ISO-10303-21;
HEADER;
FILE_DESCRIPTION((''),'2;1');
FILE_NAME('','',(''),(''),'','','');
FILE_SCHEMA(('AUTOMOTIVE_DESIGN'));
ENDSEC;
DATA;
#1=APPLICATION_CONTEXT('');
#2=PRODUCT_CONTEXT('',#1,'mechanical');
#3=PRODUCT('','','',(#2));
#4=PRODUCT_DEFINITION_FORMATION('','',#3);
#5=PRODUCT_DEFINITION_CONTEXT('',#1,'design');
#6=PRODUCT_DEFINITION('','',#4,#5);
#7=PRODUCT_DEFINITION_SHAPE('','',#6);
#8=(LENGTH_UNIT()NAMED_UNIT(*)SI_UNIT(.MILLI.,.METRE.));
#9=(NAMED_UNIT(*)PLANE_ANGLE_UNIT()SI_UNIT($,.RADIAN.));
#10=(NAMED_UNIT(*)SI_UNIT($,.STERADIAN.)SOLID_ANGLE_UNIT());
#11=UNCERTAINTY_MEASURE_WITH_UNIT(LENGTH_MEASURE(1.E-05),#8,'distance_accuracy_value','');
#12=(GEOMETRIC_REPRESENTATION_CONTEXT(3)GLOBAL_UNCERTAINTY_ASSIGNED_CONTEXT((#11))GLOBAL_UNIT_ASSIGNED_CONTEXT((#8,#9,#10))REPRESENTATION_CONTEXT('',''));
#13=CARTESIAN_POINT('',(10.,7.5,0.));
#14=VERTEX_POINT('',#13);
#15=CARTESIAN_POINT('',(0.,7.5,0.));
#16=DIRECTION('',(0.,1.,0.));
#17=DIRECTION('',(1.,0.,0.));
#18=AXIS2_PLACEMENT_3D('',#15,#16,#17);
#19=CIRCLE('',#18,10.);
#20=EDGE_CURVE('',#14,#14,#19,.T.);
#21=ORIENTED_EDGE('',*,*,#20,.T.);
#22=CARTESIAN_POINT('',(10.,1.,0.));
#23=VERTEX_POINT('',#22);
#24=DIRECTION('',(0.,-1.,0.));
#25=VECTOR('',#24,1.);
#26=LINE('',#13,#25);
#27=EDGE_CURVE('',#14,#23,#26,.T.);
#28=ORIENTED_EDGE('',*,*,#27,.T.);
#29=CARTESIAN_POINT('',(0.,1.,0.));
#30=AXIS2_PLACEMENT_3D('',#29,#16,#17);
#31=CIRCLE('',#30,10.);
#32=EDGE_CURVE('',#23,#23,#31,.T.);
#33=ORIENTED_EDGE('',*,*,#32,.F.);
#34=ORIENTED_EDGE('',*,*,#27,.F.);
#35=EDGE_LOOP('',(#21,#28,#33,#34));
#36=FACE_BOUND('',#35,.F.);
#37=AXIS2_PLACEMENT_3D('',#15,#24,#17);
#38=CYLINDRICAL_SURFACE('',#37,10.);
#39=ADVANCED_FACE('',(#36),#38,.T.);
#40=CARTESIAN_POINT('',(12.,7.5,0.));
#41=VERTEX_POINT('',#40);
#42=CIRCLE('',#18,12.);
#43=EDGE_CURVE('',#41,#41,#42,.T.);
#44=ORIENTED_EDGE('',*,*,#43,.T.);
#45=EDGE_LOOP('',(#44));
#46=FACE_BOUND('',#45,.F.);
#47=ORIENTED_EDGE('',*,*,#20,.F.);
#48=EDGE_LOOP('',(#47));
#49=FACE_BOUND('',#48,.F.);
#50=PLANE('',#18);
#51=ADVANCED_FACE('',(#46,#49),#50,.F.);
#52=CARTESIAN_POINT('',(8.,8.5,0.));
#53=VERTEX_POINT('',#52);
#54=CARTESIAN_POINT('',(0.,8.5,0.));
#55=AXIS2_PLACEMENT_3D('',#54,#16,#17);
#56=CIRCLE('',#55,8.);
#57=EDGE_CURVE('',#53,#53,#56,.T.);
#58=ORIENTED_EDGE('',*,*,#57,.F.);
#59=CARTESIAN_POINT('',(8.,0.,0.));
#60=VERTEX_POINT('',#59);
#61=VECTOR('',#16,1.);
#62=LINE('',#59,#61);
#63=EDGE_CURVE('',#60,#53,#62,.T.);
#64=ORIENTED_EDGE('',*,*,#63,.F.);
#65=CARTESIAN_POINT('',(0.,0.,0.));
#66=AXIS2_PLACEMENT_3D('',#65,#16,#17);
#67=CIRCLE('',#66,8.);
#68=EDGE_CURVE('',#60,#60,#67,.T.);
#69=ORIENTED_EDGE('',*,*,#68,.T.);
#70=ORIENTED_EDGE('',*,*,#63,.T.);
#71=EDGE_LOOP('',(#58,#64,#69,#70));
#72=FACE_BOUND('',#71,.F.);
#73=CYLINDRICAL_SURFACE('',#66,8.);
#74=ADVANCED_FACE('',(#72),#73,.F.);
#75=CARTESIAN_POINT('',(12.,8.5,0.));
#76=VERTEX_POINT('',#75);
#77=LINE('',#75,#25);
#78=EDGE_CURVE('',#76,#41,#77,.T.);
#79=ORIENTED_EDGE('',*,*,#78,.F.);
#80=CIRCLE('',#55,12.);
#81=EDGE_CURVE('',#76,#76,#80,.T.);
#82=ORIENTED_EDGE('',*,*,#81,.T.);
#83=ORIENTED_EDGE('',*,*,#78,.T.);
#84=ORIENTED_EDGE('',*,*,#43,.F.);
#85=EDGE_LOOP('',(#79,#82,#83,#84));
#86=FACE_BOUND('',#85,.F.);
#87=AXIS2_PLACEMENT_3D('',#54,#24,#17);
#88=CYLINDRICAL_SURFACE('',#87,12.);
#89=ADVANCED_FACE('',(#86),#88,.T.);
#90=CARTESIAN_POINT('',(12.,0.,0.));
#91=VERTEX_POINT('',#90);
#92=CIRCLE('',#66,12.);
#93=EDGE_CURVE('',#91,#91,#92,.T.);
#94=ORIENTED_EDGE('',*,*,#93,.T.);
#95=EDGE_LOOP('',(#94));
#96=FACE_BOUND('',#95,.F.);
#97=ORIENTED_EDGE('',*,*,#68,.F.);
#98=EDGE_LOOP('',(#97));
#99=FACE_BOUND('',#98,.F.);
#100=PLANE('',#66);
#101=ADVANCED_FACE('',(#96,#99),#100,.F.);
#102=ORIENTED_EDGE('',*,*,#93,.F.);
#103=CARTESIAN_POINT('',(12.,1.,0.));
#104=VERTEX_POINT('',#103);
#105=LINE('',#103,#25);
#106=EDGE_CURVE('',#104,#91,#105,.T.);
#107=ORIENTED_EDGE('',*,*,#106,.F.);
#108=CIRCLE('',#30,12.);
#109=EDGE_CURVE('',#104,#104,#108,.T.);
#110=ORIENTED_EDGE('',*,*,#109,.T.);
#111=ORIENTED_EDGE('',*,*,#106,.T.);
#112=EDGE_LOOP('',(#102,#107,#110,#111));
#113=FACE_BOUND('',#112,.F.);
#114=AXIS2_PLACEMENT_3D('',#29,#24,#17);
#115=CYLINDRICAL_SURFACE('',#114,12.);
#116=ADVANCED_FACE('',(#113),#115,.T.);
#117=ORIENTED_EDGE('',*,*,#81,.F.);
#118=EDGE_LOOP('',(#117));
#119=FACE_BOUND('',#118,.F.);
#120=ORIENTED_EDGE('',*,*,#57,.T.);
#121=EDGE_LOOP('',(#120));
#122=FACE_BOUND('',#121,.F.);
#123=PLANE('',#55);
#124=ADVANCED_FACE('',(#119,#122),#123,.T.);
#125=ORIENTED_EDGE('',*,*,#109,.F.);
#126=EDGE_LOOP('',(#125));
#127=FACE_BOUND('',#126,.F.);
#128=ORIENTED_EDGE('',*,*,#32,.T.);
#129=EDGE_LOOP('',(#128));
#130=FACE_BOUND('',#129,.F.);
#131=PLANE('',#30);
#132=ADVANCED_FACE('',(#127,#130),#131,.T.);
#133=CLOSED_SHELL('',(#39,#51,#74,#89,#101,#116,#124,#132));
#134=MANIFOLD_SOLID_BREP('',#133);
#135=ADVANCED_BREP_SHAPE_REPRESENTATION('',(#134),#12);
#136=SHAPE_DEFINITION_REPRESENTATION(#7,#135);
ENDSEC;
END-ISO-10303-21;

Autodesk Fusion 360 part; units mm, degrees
sketch "Sketch1" plane through (0, 0, 0) normal (0, 0, 1) x (1, 0, 0)
  line L0 (0, 0) -> (8, 0) construction
  line L1 (8, 0) -> (8, 8.5)
  line L2 (8, 8.5) -> (12, 8.5)
  line L3 (12, 8.5) -> (12, 7.5)
  line L4 (12, 7.5) -> (10, 7.5)
  line L5 (10, 7.5) -> (10, 1)
  line L6 (10, 1) -> (12, 1)
  line L7 (12, 1) -> (12, 0)
  line L8 (12, 0) -> (8, 0)
  dimension "d1" = 1
  dimension "d2" = 1
  dimension "d3" = 6.5
  dimension "d4" = 8
  dimension "d5" = 2
  dimension "d6" = 2
revolve "Revolve1" add sketch "Sketch1" angle 360 about axis through (0, 1.75, 0) along (0, 1, 0)
